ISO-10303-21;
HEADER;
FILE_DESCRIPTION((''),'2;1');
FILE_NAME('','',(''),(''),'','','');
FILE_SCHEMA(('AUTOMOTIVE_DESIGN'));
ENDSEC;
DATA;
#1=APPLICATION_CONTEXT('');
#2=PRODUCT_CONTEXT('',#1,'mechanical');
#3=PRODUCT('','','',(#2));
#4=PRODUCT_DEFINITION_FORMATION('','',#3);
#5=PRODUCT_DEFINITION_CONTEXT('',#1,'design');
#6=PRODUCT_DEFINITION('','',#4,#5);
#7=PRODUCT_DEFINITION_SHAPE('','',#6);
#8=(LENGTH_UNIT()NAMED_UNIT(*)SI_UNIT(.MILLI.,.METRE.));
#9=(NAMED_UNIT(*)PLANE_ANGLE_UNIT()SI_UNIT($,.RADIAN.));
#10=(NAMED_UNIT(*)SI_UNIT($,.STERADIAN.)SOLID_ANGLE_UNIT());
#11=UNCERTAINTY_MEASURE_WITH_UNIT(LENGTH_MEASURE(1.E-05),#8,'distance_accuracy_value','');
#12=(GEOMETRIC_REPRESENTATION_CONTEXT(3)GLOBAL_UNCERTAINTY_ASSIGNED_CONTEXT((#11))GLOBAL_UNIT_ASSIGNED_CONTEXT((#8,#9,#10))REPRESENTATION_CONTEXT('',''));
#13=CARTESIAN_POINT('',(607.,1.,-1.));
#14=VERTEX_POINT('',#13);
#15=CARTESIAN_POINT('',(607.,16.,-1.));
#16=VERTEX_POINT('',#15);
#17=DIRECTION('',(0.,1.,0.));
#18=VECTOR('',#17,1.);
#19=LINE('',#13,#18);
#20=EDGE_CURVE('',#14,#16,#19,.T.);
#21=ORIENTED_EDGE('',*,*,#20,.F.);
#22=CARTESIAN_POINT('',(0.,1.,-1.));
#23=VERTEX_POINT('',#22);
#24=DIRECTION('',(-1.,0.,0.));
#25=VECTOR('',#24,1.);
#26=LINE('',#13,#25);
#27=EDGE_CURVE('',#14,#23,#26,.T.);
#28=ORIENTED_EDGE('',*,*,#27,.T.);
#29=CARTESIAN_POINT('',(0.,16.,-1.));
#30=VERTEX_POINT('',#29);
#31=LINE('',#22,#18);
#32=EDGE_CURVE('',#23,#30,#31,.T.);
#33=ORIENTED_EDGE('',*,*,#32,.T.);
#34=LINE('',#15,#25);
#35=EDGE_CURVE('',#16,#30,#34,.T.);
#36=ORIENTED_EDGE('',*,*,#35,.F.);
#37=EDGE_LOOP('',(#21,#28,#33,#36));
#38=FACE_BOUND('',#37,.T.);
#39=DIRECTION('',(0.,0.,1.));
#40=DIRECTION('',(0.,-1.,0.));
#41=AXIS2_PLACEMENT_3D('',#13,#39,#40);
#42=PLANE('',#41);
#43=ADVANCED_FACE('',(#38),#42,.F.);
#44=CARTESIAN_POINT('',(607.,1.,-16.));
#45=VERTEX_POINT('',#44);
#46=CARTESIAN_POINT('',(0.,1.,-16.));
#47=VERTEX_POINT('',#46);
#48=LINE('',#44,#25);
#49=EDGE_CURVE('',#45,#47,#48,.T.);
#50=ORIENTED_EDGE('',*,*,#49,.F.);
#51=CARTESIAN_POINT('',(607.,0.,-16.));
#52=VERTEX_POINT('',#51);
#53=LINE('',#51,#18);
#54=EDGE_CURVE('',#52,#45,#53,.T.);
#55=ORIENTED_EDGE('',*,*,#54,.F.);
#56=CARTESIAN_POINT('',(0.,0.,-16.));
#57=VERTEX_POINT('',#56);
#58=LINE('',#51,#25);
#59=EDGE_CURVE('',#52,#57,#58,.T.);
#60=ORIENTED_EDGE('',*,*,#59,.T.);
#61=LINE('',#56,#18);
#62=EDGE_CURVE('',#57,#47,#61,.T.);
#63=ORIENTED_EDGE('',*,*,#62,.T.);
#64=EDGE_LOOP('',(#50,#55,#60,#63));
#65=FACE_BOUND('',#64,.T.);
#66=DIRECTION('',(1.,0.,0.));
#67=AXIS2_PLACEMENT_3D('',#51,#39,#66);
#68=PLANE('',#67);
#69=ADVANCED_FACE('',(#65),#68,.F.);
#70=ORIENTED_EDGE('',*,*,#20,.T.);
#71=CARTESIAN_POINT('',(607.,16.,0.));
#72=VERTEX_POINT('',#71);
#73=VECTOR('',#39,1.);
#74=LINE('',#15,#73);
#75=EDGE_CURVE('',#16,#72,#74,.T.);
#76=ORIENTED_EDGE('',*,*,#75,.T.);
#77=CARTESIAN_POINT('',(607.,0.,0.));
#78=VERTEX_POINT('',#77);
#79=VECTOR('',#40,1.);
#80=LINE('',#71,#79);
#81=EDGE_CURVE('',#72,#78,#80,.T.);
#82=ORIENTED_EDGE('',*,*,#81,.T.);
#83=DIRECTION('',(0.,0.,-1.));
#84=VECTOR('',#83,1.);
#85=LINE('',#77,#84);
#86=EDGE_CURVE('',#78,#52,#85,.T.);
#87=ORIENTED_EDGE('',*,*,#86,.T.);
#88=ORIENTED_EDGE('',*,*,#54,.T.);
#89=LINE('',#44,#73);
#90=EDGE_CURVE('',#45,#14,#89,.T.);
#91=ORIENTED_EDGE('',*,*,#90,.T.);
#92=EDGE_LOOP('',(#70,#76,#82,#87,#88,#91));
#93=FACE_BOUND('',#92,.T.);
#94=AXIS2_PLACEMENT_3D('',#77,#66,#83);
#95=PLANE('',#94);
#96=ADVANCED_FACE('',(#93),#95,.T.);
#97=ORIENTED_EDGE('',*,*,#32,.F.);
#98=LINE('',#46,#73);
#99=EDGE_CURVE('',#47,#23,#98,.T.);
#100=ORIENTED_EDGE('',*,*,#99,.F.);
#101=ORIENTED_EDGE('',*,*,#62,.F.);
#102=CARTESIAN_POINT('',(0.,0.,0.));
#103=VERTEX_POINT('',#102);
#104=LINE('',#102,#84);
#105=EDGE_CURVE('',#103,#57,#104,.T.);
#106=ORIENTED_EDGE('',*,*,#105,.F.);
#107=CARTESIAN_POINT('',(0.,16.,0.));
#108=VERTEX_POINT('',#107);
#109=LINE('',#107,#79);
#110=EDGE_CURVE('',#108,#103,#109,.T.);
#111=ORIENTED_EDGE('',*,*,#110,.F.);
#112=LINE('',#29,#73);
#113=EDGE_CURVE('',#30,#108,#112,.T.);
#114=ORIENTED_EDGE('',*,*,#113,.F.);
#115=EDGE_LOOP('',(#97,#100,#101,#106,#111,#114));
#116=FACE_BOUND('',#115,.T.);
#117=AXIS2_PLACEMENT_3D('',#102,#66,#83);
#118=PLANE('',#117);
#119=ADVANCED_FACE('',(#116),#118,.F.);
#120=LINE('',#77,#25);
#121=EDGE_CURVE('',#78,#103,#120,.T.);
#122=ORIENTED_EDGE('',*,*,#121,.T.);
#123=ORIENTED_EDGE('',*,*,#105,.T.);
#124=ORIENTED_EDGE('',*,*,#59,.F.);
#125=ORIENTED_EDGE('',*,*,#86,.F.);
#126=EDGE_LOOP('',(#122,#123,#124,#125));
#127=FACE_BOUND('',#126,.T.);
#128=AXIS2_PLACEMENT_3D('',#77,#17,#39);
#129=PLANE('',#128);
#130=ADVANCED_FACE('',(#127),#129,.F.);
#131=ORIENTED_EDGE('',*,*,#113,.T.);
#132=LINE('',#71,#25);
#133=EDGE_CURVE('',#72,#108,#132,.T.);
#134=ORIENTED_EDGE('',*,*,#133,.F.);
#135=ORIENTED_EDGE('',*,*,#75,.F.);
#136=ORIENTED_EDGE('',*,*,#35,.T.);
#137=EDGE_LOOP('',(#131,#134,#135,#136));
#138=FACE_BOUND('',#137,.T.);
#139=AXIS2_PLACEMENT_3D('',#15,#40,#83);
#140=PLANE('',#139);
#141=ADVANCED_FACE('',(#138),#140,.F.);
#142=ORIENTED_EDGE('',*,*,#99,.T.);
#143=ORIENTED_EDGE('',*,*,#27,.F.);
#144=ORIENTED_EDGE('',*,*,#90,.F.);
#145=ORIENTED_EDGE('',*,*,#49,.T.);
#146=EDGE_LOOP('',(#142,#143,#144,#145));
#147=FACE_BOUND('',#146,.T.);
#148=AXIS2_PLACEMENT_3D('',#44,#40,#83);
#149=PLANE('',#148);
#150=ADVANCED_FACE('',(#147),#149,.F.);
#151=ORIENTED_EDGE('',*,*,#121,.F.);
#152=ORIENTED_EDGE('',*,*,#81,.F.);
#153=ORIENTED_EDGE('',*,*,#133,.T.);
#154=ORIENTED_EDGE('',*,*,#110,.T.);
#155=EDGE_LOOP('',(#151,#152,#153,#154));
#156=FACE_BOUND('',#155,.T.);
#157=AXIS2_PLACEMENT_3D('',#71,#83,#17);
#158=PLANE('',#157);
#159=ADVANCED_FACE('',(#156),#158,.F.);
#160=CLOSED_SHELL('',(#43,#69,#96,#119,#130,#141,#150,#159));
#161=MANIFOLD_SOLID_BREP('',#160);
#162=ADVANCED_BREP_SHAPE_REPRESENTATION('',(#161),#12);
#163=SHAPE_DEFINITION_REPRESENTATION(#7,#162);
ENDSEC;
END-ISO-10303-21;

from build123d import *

# Parameters (mm, degrees)
SALIENTE_EXTRUIR1_DEPTH = 607


with BuildPart() as part:
    # Croquis1 → Saliente-Extruir1 (new body)
    with BuildSketch(Plane(origin=(0, 0, 0), x_dir=(0, 0, -1), z_dir=(1, 0, 0))):
        Polygon((0, 16), (0, 0), (16, 0), (16, 1), (1, 1), (1, 16), align=None)
    extrude(amount=SALIENTE_EXTRUIR1_DEPTH)


solid = part.part
